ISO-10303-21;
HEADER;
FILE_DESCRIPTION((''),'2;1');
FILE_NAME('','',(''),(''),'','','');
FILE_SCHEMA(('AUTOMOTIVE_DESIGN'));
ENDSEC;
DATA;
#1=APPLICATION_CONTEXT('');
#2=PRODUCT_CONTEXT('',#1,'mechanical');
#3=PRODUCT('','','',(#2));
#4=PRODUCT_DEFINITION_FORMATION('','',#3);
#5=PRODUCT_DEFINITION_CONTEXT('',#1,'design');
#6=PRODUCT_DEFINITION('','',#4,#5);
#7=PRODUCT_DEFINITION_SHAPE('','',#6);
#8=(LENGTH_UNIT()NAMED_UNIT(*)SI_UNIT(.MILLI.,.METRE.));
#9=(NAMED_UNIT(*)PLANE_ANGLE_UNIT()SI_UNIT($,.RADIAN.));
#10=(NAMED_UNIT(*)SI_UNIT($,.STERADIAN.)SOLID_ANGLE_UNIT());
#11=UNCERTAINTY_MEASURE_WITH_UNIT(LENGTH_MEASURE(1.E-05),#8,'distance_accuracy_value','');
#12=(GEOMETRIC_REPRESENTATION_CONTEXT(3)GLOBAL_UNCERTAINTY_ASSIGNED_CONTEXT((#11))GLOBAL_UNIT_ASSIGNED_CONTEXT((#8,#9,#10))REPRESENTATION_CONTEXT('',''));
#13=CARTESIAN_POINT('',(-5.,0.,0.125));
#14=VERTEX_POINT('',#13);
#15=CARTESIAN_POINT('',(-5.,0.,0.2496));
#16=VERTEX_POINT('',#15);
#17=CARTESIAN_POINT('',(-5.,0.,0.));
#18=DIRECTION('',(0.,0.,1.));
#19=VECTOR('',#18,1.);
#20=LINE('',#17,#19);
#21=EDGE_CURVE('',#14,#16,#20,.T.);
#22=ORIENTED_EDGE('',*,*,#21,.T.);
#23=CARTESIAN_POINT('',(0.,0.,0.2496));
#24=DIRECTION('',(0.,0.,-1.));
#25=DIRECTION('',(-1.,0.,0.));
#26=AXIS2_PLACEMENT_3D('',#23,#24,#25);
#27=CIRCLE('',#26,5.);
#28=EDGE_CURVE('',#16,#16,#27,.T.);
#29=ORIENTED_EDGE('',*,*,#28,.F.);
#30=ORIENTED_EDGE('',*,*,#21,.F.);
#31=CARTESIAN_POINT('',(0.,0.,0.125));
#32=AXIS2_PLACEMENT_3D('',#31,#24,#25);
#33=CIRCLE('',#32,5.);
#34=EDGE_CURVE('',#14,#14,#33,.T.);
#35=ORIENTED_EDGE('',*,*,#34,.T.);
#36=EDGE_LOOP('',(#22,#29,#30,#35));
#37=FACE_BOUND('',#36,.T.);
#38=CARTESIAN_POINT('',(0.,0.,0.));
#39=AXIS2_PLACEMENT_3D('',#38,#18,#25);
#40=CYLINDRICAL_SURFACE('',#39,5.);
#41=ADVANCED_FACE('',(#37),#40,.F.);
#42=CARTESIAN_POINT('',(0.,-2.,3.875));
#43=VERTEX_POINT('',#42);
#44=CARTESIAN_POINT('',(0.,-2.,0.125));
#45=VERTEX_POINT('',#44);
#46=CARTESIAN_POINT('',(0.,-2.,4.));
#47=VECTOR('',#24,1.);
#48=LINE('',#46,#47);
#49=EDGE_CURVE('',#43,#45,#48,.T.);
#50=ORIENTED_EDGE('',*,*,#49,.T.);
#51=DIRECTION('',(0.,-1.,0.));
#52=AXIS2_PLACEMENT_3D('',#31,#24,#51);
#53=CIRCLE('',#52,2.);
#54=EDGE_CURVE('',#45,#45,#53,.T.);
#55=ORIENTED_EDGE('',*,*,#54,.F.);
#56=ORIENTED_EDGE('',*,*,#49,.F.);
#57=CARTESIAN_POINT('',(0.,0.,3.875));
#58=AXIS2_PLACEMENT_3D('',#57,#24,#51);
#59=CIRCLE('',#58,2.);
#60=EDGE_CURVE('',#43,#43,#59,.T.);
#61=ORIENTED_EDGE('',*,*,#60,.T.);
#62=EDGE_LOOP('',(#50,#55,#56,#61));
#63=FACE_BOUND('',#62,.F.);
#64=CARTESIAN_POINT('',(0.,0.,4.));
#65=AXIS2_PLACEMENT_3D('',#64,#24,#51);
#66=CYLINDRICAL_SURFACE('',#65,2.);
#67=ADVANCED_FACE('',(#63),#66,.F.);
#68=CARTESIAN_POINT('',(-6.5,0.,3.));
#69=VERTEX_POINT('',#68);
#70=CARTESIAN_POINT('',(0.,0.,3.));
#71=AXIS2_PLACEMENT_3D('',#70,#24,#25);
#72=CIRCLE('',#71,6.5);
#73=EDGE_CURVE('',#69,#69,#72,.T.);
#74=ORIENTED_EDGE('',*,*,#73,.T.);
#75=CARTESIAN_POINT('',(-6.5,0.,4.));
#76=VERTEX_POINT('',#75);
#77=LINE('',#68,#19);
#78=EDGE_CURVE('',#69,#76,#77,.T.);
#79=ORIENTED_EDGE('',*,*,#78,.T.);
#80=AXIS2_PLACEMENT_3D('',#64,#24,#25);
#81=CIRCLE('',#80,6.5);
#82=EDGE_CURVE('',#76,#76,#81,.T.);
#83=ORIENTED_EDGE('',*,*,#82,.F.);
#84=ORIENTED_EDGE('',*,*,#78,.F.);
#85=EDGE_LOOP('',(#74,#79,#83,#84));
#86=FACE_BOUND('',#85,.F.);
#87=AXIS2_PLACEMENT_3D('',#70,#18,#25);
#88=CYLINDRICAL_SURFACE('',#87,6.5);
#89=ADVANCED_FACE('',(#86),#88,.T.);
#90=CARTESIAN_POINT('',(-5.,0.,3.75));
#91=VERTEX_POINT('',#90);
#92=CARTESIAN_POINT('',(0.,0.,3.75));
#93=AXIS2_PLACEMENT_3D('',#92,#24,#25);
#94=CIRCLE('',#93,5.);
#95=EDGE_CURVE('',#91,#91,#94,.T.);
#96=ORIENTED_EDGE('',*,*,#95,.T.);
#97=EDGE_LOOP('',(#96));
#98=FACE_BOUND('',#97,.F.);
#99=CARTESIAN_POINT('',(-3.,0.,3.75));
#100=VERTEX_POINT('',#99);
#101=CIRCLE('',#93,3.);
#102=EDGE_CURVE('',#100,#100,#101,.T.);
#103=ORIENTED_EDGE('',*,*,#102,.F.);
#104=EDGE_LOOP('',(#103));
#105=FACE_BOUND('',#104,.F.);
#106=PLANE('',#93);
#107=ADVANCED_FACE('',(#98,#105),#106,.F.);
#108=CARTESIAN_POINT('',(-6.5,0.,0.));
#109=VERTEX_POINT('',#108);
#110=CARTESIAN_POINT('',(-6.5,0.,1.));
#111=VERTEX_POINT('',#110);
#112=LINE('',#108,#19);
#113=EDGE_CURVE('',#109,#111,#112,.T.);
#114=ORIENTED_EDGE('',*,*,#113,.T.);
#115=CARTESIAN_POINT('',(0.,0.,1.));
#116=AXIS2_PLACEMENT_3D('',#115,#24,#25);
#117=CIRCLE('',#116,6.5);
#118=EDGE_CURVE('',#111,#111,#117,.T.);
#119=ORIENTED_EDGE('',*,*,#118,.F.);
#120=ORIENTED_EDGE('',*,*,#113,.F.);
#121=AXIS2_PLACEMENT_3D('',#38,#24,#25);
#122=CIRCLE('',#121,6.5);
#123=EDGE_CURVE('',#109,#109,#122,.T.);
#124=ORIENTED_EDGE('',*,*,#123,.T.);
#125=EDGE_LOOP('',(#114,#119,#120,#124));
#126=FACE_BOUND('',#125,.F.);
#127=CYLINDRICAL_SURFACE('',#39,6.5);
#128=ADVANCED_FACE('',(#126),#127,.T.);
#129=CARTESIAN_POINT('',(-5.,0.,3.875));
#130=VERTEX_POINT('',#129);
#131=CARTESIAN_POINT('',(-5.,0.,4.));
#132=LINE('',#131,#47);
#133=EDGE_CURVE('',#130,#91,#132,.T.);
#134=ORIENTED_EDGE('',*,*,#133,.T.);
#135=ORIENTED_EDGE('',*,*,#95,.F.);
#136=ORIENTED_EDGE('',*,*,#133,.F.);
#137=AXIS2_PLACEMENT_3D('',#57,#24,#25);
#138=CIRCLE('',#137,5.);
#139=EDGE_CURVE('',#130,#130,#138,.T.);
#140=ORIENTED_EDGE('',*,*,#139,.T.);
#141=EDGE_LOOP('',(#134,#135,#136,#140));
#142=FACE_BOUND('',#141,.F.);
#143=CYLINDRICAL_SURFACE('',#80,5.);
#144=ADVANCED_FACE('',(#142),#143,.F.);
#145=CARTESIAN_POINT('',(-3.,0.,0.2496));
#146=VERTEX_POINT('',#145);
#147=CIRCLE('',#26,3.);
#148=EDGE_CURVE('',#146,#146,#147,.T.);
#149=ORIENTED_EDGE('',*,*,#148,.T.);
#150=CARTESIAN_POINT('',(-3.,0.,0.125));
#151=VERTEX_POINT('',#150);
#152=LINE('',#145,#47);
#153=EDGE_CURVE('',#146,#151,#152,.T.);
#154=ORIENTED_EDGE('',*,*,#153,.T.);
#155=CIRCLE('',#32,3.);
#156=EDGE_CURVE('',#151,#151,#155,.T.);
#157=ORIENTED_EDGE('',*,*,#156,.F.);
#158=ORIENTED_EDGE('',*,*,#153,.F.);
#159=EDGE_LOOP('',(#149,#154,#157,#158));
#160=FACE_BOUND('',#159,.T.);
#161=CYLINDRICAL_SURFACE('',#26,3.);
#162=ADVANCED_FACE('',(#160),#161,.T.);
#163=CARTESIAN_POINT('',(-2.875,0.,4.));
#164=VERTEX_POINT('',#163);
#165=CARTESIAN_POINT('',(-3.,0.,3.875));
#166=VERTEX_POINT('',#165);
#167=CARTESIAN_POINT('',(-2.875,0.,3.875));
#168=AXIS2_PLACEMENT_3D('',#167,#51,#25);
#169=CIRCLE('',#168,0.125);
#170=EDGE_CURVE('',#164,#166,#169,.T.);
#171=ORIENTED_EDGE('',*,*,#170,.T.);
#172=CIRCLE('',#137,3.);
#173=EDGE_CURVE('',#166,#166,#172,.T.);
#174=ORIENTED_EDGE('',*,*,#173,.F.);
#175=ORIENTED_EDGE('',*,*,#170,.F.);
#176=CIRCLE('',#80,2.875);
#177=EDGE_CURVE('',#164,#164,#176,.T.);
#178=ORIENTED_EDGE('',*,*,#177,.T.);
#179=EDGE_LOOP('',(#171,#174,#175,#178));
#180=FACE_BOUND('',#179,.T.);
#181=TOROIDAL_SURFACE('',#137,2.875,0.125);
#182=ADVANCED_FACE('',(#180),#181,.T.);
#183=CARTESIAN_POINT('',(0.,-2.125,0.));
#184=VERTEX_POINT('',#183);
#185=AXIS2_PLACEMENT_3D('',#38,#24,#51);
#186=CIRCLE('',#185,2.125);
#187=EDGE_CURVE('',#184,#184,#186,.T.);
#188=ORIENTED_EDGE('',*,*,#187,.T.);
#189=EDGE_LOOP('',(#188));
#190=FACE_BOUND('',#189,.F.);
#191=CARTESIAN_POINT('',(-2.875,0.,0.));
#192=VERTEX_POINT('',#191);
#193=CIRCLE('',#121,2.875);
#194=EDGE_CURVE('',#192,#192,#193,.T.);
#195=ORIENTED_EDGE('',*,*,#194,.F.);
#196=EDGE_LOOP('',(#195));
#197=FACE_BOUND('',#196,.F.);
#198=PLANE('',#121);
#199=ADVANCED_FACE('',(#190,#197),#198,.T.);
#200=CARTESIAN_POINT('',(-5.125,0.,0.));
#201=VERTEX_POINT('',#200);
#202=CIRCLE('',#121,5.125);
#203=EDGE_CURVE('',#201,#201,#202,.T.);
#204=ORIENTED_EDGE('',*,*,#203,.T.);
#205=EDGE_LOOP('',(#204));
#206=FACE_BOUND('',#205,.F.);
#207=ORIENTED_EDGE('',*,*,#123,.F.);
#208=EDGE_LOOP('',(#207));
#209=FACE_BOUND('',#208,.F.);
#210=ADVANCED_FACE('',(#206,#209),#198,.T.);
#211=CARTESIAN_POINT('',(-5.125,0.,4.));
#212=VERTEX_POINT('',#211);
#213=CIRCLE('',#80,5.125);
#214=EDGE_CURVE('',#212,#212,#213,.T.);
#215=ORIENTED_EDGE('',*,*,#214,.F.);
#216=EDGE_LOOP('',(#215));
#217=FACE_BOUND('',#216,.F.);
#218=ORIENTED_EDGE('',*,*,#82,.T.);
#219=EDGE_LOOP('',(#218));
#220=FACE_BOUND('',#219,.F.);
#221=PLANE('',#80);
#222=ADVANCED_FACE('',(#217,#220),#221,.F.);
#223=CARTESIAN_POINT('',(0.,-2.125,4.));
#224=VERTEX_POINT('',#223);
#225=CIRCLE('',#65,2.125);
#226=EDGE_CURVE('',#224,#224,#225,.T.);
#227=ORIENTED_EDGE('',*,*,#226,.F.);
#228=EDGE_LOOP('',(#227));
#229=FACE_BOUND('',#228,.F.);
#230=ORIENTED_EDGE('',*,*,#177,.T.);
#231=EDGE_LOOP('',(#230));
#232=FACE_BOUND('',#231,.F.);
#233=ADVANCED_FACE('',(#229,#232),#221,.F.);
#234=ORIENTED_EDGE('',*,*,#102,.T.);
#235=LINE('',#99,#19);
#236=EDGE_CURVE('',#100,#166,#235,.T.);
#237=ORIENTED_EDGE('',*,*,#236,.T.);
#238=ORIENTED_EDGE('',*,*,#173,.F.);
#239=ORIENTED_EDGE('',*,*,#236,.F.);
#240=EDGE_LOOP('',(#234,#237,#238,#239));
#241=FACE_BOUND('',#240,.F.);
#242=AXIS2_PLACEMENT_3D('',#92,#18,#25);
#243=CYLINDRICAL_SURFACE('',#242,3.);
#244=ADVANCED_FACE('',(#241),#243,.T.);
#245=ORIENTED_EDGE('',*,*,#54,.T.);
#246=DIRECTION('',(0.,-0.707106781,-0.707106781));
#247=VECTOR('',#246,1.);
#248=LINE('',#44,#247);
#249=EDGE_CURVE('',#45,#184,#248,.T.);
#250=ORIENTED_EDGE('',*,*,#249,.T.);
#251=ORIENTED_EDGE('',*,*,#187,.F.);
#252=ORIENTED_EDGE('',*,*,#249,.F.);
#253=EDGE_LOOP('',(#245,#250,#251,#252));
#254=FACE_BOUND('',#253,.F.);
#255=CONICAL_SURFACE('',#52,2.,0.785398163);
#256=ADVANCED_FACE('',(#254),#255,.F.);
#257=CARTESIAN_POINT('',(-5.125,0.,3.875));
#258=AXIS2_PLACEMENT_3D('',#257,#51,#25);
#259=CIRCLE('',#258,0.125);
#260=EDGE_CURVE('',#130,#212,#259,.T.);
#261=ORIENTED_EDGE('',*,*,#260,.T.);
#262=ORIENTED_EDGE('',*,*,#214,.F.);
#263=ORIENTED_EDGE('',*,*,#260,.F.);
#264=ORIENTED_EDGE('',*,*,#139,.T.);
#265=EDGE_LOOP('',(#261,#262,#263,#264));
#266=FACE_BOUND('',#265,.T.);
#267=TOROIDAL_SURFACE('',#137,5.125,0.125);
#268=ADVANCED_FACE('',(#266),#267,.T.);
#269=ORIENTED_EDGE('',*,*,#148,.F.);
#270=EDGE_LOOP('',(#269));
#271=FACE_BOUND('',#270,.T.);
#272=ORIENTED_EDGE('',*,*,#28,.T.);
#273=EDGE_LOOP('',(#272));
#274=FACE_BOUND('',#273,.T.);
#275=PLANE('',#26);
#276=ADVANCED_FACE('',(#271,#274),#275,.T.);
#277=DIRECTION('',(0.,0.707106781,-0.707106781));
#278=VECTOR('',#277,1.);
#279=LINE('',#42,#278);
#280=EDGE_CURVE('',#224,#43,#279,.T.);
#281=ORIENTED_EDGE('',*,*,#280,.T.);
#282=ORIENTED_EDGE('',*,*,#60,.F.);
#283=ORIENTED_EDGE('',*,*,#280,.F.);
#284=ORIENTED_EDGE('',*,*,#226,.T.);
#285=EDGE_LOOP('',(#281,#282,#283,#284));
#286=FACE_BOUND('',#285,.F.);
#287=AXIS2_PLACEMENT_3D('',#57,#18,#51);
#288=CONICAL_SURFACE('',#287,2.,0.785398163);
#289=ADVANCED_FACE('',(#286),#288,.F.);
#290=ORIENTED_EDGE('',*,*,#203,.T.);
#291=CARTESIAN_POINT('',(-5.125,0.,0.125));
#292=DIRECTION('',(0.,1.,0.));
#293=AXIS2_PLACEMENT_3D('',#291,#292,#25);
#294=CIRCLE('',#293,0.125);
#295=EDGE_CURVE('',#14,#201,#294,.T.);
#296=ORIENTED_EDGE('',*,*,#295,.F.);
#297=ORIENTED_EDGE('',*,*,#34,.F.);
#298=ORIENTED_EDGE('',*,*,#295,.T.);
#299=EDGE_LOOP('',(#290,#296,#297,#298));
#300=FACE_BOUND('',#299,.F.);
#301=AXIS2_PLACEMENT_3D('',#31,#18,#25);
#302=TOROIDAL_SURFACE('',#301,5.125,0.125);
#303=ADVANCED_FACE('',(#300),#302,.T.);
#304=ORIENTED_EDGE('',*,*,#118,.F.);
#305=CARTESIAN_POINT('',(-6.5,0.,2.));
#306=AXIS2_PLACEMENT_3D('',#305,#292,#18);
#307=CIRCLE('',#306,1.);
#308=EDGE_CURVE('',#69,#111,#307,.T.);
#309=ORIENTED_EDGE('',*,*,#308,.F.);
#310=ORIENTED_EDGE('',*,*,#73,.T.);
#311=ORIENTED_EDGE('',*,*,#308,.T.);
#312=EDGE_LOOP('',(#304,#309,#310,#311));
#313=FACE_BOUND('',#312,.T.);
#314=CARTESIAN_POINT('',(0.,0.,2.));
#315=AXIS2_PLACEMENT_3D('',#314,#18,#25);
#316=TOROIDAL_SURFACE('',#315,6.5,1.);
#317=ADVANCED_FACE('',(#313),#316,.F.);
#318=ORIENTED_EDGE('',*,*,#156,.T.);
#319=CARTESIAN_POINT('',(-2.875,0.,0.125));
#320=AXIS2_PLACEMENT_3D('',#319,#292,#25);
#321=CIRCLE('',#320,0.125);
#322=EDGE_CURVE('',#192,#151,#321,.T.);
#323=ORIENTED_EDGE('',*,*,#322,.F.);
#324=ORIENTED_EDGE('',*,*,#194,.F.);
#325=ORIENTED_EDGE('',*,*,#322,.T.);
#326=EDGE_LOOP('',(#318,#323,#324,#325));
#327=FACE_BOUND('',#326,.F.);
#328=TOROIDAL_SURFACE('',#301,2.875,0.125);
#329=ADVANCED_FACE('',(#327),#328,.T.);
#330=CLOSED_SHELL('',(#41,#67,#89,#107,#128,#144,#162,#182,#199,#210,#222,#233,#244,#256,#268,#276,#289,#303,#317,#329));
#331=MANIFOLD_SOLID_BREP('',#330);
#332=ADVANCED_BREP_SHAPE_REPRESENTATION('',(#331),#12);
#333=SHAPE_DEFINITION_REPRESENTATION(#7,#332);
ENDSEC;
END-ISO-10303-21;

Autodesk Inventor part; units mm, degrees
ref_plane "YZ Plane" through (0, 0, 0) normal (1, 0, 0) x (0, 1, 0)
ref_plane "XZ Plane" through (0, 0, 0) normal (0, 1, 0) x (-1, 0, 0)
ref_plane "XY Plane" through (0, 0, 0) normal (0, 0, 1) x (1, 0, 0)
sketch "草圖1" plane through (0, 0, 0) normal (0, 1, 0) x (-1, 0, 0)
  line L0 (0, 0) -> (6.5, 0)
  line L1 (6.5, 4) -> (0, 4)
  line L2 (0, 4) -> (0, 0)
  arc A0 (6.5, 3) -> (6.5, 1) centre (6.5, 2) ccw
  line L3 (6.5, 0) -> (6.5, 1)
  line L4 (6.5, 3) -> (6.5, 4)
  line L5 (3, 4) -> (5, 4)
  line L6 (5, 4) -> (5, 3.75)
  line L7 (5, 3.75) -> (3, 3.75)
  line L8 (3, 3.75) -> (3, 4)
  line L9 (3, 0) -> (5, 0)
  line L10 (5, 0) -> (5, 0.2496)
  line L11 (5, 0.2496) -> (3, 0.2496)
  line L12 (3, 0.2496) -> (3, 0)
  dimension "d2" = 6.5
  dimension "d4" = 4
  dimension "d5" = 2
  dimension "d7" = 3
  dimension "d8" = 1.5
  dimension "d9" = 0.25
  dimension "d10" = 0.2495
revolve "迴轉2" add sketch "草圖1" angle 360 about axis through (0, 0, 4) along (0, 0, -1) contours L2 L1 L8 L7 L6 L4 A0 L3 L0 L10 L11 L12
sketch "草圖2" plane through (0, 0, 4) normal (0, 0, 1) x (1, 0, 0)
  circle A0 centre (0, 0) radius 3 projected
hole "孔1" at (0, 0, 4) direction (0, 0, -1) diameter 4 end through all
chamfer "倒角1" distance 0.125 angle 45 2 edges at (0, 2, 4) (0, 2, 0)
fillet "圓角2" radius 0.125 4 edges at (3, 0, 4) (5, 0, 4) (5, 0, 0) (3, 0, 0)
properties part number "bearing_604uu"
